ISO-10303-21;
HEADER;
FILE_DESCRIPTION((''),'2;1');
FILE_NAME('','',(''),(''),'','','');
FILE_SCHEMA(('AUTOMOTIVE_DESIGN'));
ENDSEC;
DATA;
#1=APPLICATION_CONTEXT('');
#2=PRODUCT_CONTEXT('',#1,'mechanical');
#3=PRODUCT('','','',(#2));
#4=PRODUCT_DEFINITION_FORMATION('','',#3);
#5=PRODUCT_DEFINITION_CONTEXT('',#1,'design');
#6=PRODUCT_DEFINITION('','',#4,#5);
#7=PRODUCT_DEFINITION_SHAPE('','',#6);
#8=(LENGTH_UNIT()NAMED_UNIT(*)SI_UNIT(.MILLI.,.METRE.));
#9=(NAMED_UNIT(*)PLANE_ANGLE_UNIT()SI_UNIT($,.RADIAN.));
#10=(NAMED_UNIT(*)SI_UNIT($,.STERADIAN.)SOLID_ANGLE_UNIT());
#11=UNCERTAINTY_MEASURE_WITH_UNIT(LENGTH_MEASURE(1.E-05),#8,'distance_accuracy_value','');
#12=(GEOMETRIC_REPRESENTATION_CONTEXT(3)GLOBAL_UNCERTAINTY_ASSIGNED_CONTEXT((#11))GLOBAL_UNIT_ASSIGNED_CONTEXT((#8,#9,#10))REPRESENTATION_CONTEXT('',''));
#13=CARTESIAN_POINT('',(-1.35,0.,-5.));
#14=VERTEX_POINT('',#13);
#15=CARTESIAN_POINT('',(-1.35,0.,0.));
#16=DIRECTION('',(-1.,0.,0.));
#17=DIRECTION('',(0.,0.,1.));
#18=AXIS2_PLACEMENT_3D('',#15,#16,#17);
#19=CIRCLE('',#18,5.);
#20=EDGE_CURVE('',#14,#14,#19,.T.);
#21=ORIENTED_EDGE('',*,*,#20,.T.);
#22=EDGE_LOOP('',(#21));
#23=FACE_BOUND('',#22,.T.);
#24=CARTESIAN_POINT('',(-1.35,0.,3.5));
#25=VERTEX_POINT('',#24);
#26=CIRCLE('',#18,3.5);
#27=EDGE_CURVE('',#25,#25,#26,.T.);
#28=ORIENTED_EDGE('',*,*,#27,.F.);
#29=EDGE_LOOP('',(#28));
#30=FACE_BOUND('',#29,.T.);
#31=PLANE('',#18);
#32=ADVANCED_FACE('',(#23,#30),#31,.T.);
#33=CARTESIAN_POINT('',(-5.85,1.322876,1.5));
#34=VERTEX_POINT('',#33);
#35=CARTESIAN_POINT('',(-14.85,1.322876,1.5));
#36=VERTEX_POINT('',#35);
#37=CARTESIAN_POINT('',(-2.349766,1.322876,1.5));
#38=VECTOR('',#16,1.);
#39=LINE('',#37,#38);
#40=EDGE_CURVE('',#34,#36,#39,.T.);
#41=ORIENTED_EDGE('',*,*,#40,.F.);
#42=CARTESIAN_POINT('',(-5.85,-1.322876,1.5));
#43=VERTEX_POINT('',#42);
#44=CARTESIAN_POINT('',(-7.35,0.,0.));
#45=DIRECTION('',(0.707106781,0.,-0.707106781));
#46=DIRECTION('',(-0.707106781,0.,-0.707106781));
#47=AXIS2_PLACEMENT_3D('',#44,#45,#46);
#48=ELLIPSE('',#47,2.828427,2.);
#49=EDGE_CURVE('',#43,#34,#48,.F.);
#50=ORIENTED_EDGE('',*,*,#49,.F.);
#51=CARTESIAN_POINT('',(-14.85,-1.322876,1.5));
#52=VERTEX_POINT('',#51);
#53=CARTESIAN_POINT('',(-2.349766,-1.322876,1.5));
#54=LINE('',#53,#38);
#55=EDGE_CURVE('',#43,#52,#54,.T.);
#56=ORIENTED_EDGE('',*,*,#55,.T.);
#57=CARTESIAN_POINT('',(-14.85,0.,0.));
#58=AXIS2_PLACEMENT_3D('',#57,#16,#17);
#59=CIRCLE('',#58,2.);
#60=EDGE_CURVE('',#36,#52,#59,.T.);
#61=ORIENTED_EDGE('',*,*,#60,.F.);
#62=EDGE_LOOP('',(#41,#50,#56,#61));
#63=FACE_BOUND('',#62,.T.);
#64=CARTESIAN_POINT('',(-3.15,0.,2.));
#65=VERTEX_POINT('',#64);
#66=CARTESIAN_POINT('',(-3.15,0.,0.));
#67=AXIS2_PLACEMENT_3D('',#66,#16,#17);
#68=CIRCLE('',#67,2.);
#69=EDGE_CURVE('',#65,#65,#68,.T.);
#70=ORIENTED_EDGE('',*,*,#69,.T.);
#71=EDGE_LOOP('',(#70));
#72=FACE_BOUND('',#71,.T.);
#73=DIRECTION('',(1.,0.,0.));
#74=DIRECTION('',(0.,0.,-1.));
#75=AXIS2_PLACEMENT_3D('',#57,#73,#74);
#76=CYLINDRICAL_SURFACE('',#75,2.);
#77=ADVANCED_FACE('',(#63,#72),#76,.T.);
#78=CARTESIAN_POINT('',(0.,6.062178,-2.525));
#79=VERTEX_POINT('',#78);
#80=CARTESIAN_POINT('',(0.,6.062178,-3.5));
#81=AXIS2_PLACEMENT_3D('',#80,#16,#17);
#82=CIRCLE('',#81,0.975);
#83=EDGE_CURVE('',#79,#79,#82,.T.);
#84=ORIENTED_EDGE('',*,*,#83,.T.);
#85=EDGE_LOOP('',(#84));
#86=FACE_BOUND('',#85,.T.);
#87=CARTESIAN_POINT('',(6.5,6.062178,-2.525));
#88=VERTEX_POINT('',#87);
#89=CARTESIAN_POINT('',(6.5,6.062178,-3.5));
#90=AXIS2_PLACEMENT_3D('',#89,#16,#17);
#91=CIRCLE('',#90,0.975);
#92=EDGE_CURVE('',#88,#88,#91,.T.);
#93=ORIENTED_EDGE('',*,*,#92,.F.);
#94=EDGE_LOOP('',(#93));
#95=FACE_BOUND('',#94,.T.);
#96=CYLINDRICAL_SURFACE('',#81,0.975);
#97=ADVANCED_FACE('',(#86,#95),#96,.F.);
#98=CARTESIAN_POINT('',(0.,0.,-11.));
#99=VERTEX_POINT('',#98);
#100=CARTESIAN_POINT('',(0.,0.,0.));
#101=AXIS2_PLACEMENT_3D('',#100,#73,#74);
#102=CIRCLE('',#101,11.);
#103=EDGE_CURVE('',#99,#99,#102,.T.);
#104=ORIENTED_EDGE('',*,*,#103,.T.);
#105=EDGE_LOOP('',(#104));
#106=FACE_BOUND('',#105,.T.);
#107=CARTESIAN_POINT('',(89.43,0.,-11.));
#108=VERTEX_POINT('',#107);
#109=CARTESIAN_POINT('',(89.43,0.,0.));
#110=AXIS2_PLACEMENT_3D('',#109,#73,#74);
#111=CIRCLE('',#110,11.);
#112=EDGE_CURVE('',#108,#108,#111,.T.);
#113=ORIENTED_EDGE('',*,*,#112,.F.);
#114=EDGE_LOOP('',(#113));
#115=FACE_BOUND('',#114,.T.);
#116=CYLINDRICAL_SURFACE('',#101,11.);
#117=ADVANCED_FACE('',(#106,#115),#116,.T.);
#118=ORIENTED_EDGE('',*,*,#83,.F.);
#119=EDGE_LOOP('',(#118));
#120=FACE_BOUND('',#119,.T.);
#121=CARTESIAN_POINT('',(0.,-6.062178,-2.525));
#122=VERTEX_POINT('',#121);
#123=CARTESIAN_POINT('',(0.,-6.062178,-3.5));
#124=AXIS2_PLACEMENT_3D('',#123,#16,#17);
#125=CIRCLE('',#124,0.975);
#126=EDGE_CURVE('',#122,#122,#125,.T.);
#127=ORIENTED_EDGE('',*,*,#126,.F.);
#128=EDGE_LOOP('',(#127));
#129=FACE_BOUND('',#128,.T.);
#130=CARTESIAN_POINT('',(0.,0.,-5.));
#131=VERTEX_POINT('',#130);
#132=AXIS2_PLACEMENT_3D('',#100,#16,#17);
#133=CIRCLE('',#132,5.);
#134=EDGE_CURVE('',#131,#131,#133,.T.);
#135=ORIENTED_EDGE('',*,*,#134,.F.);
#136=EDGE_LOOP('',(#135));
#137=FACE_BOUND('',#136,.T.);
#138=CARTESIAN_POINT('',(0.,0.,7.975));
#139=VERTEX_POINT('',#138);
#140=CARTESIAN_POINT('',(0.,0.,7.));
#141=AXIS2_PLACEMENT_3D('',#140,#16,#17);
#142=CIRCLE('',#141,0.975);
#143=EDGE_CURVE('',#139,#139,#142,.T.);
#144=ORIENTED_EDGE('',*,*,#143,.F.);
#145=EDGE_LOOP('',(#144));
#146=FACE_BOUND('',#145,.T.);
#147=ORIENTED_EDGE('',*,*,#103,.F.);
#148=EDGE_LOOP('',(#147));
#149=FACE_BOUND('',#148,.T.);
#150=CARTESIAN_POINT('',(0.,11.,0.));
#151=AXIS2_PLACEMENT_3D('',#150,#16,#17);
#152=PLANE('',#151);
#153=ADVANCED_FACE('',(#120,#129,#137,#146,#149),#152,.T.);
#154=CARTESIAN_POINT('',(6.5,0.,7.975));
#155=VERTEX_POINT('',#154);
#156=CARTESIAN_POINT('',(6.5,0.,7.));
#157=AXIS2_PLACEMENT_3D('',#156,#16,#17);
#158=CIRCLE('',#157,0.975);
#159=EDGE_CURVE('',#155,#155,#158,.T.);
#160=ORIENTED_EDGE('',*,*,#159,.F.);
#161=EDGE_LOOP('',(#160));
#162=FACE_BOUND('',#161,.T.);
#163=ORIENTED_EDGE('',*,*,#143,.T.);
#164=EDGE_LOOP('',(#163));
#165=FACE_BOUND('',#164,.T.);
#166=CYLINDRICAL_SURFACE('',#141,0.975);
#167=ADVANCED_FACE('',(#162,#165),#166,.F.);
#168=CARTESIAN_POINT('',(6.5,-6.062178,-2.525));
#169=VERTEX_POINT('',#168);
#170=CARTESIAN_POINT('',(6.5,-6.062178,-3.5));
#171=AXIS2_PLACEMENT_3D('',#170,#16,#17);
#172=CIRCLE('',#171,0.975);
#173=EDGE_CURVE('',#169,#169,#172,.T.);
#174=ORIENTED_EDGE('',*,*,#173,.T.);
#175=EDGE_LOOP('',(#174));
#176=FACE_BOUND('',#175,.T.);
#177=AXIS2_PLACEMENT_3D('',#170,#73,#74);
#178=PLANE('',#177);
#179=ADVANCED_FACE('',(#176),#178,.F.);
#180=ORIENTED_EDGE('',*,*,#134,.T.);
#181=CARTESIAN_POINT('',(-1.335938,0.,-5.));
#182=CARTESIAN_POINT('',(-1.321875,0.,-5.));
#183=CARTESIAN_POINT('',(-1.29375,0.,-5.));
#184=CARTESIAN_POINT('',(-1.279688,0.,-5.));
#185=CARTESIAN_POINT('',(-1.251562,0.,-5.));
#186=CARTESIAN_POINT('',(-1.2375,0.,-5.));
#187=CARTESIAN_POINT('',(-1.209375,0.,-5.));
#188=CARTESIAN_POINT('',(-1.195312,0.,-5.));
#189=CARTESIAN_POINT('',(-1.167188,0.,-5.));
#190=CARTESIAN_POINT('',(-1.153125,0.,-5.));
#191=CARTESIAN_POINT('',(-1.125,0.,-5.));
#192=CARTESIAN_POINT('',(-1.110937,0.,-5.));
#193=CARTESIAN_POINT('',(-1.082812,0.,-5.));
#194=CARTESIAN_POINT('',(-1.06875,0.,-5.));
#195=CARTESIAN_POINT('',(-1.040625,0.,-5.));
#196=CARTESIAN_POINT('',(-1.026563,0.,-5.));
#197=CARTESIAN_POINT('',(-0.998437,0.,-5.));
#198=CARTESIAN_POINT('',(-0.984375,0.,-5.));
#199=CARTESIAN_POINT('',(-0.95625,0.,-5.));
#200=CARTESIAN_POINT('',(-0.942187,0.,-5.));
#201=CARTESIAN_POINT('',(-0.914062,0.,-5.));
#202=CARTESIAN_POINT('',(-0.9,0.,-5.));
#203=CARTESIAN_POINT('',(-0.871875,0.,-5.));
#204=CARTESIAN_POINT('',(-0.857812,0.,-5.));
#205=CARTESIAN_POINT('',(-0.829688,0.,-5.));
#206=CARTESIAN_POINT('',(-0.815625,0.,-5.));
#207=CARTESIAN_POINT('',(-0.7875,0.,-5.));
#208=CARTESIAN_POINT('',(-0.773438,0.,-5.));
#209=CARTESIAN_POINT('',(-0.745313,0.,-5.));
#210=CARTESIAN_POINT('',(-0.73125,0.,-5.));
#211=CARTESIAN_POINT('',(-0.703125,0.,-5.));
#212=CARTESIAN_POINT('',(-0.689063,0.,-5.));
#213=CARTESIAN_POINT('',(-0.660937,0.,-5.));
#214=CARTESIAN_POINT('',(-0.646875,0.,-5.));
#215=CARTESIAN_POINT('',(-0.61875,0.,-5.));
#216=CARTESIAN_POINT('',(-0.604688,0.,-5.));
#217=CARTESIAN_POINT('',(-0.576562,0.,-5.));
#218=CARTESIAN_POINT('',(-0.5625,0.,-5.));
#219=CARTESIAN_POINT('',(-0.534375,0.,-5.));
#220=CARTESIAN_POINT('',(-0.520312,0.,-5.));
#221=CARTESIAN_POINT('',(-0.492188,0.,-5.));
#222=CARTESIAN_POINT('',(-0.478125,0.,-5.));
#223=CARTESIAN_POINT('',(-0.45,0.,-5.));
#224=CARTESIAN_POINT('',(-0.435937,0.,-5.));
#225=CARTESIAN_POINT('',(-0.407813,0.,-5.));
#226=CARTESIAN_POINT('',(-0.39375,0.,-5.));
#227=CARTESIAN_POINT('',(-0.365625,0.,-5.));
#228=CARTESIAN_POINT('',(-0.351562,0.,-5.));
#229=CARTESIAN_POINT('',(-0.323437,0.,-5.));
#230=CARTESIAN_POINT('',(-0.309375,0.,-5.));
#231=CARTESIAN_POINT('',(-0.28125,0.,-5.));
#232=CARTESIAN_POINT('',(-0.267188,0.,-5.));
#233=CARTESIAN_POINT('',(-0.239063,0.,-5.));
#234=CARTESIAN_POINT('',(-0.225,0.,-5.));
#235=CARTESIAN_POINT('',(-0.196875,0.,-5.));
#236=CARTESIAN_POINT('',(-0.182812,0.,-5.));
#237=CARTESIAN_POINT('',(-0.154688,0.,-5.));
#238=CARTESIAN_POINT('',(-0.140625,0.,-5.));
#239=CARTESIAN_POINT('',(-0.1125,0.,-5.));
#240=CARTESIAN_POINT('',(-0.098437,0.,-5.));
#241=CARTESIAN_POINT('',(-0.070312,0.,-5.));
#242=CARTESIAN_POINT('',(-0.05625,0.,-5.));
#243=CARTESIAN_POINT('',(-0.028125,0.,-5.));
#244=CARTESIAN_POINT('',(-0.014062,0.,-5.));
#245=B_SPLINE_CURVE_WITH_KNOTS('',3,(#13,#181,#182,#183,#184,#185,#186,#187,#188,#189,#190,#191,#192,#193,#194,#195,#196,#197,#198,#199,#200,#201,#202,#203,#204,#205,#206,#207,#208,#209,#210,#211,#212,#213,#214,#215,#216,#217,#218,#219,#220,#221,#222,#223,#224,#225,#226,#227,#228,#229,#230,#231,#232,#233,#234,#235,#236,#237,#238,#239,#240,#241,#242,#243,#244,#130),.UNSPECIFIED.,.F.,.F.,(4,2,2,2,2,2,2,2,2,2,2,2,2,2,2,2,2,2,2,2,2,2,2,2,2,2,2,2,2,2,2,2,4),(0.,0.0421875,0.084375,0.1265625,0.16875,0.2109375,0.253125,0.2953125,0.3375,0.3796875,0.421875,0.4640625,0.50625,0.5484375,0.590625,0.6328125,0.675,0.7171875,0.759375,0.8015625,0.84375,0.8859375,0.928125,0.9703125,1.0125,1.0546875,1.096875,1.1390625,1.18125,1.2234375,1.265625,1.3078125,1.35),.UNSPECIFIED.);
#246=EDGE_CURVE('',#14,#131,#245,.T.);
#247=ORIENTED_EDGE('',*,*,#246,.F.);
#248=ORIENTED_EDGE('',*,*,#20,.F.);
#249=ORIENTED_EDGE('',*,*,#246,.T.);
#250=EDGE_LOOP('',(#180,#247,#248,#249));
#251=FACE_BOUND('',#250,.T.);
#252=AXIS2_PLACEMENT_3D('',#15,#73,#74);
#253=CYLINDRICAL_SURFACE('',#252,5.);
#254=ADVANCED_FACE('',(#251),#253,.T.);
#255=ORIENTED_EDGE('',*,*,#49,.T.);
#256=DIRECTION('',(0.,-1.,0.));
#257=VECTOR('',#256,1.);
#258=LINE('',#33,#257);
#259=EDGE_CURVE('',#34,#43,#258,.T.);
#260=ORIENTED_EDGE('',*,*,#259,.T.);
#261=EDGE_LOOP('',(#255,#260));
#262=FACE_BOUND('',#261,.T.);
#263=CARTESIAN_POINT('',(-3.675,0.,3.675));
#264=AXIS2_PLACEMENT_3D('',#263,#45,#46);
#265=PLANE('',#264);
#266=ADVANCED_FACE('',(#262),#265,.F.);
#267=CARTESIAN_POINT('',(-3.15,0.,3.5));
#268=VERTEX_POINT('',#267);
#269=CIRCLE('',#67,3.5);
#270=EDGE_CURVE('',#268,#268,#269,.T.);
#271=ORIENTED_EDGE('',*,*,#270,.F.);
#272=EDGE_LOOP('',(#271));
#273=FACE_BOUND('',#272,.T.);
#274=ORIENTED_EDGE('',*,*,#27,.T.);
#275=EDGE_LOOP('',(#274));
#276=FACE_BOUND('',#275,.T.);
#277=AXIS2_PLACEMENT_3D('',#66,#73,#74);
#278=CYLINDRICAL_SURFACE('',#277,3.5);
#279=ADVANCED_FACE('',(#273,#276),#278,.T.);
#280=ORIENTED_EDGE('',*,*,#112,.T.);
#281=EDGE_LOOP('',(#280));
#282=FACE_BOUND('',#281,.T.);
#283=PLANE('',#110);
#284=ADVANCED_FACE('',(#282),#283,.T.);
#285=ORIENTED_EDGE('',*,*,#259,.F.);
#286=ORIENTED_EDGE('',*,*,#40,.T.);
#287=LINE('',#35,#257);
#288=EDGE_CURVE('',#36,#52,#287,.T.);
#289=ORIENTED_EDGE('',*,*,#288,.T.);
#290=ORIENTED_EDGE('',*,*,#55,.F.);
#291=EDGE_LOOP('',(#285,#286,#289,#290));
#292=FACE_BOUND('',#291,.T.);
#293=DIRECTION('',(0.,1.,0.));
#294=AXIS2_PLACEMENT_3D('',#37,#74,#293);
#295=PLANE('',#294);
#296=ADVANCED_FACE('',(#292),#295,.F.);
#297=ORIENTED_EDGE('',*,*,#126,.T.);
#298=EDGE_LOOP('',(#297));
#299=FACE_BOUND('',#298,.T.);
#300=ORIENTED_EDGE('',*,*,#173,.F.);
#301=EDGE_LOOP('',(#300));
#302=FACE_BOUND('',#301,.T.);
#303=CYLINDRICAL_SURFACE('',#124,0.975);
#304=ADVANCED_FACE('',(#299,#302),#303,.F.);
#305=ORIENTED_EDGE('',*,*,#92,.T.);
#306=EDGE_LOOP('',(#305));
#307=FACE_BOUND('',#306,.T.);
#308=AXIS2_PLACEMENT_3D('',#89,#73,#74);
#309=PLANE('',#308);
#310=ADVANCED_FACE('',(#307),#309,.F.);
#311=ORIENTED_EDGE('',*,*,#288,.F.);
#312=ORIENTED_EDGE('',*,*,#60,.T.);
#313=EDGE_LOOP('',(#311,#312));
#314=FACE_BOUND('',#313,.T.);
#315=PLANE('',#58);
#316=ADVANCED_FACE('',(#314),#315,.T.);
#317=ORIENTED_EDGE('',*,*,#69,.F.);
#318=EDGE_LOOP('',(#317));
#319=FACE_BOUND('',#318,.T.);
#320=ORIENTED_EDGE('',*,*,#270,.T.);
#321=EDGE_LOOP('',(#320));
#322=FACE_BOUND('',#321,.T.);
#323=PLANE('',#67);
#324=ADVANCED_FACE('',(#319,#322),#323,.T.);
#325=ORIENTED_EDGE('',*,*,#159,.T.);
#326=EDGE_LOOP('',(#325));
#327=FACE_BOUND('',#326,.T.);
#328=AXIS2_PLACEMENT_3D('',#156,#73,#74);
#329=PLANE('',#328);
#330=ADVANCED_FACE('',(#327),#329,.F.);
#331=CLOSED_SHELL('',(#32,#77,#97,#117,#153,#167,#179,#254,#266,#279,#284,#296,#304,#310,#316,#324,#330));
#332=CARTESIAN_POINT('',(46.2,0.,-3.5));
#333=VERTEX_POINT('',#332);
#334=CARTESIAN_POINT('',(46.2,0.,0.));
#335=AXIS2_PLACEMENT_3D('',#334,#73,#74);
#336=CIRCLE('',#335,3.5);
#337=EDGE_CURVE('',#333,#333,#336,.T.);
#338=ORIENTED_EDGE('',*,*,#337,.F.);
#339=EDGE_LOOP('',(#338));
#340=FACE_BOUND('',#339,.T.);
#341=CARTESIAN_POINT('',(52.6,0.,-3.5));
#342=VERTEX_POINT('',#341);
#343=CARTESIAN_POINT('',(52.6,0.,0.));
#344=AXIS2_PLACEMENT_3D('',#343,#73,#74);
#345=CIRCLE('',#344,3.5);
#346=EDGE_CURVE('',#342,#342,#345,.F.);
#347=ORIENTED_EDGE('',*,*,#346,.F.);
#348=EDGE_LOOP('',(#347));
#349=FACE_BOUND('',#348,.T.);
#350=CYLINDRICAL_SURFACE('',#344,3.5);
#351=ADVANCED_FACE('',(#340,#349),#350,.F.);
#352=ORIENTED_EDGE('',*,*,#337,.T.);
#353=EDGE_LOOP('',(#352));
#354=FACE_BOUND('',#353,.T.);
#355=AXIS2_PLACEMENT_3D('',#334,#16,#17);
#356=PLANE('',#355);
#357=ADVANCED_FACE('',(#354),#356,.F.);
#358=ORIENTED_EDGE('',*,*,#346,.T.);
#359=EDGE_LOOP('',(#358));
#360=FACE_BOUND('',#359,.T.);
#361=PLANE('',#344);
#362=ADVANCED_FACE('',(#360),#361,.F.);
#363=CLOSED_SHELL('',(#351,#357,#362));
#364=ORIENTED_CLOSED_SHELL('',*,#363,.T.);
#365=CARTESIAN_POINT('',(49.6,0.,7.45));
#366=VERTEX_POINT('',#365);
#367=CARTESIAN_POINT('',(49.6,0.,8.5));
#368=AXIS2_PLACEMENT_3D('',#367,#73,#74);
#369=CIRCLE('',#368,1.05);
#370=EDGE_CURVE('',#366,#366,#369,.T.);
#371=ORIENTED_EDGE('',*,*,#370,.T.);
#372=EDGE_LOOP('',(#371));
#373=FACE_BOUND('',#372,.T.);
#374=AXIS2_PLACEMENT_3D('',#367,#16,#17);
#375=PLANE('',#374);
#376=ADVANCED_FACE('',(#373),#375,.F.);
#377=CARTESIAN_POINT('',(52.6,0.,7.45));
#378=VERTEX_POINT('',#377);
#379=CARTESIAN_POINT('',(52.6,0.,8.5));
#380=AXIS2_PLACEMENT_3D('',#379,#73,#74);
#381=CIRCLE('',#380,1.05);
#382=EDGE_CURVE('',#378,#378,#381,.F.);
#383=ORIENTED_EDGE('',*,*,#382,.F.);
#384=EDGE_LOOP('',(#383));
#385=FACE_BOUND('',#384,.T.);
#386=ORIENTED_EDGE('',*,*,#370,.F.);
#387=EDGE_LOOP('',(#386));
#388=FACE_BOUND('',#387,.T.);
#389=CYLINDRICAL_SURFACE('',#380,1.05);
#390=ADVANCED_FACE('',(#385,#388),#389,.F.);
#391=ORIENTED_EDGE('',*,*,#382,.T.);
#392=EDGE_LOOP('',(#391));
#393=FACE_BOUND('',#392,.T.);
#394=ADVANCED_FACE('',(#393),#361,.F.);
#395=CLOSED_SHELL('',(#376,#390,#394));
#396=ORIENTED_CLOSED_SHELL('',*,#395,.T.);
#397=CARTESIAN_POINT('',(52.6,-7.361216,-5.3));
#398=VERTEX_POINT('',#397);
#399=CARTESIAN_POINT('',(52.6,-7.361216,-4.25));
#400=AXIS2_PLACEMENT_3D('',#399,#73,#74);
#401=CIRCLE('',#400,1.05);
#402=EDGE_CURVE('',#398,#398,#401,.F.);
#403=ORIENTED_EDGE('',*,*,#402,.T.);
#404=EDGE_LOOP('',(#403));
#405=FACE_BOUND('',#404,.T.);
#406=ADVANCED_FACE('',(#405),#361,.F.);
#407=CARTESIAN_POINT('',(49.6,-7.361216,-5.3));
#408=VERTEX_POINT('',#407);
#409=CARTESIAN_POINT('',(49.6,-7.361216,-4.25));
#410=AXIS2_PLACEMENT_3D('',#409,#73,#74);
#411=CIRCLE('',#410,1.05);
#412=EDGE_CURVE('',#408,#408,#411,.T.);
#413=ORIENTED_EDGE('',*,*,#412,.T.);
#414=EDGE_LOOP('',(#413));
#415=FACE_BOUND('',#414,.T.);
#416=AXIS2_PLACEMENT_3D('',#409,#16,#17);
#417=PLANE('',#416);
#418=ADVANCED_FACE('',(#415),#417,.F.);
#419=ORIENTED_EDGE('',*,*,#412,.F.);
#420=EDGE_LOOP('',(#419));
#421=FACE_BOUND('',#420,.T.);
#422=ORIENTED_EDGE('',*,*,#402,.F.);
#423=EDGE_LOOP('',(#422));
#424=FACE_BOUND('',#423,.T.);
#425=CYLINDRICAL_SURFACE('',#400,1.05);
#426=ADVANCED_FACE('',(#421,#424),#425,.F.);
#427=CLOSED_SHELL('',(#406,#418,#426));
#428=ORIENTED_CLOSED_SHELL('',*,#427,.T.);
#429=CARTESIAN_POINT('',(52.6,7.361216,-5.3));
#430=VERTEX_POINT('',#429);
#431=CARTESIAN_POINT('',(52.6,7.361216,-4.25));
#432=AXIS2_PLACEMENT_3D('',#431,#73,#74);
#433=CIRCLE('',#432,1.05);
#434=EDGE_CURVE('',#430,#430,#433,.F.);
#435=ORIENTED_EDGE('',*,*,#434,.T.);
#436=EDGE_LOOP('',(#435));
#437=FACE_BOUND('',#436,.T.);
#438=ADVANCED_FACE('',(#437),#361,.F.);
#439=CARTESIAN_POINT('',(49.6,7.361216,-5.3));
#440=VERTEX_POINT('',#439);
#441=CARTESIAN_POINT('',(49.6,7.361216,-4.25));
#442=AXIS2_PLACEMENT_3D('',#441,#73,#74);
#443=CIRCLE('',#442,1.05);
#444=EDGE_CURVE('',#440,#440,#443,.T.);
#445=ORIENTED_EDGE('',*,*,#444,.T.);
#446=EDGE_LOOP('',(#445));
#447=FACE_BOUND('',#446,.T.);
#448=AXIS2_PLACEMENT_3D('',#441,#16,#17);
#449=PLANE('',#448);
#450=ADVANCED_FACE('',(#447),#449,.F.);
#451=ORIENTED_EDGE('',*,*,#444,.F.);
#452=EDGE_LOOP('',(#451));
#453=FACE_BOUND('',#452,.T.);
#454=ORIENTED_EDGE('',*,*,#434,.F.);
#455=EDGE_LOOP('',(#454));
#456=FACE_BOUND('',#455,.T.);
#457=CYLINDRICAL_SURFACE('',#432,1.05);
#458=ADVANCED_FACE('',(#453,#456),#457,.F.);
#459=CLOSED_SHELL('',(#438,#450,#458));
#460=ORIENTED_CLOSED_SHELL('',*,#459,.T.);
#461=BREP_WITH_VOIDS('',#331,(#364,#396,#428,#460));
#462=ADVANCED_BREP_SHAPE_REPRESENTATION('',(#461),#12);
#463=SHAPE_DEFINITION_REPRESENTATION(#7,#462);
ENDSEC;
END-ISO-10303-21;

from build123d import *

# Parameters (mm, degrees)
SKETCH1_W           = 52.6
SKETCH1_H           = 11
SKETCH2_R           = 5
BOSS_EXTRUDE1_DEPTH = 1.35
SKETCH3_R           = 3.5
BOSS_EXTRUDE2_DEPTH = 1.8
SKETCH4_R           = 2
BOSS_EXTRUDE3_DEPTH = 11.7
CUT_EXTRUDE1_REACH  = 71.221
HOLE1_D             = 1.95
HOLE1_DEPTH         = 6.5
HOLE2_D             = 1.95
HOLE2_DEPTH         = 6.5
HOLE3_D             = 1.95
HOLE3_DEPTH         = 6.5
HOLE4_D             = 7
HOLE4_DEPTH         = 6.4
HOLE5_D             = 2.1
HOLE5_DEPTH         = 3
HOLE6_D             = 2.1
HOLE6_DEPTH         = 3
HOLE7_D             = 2.1
HOLE7_DEPTH         = 3
SKETCH25_R          = 11
BOSS_EXTRUDE4_DEPTH = 36.83


with BuildPart() as part:
    # Sketch1 → Revolve1 (revolve)
    with BuildSketch(Plane.XY, mode=Mode.PRIVATE) as revolve1_sk:
        with Locations((26.3, 5.5)):
            Rectangle(SKETCH1_W, SKETCH1_H)
    revolve(revolve1_sk.sketch.rotate(Axis((0, 0, 0), (1, 0, 0)), 270), axis=Axis((0, 0, 0), (1, 0, 0)))

    # Sketch2 → Boss-Extrude1 (add)
    with BuildSketch(Plane.ZY):
        with Locations(Location((0, 0, 0), (0, 0, 180))):
            Circle(SKETCH2_R)
    extrude(amount=BOSS_EXTRUDE1_DEPTH)

    # Sketch3 → Boss-Extrude2 (add)
    with BuildSketch(Plane.ZY.offset(1.35)):
        Circle(SKETCH3_R)
    extrude(amount=BOSS_EXTRUDE2_DEPTH)

    # Sketch4 → Boss-Extrude3 (add)
    with BuildSketch(Plane.ZY.offset(3.15)):
        Circle(SKETCH4_R)
    extrude(amount=BOSS_EXTRUDE3_DEPTH)

    # Cut-Extrude1: up to this plane
    cut_extrude1_end = Plane(origin=(-3.675, 0, 3.675), z_dir=(0.707106781186547, 0, -0.707106781186548))
    # Sketch6 → Cut-Extrude1 (cut, up to the surface)
    with BuildSketch(Plane.ZY.offset(14.85), mode=Mode.PRIVATE) as cut_extrude1_sk1:
        with BuildLine():
            Line((1.5, 1.322875656), (1.5, -1.322875656))
            ThreePointArc((1.5, -1.322875656), (2, 0), (1.5, 1.322875656))
        make_face()
    cut_extrude1_tool1 = split(extrude(cut_extrude1_sk1.sketch, amount=-CUT_EXTRUDE1_REACH, mode=Mode.PRIVATE), bisect_by=cut_extrude1_end, keep=Keep.BOTH, mode=Mode.PRIVATE)
    add(cut_extrude1_tool1.solids().sort_by_distance((-14.85, 0, 1.702311))[0], mode=Mode.SUBTRACT)

    # Hole1
    with Locations(Plane.ZY):
        with Locations((7, 0)):
            Hole(HOLE1_D / 2, depth=HOLE1_DEPTH)

    # Hole2
    with Locations(Plane.ZY):
        with Locations((-3.5, -6.062177826)):
            Hole(HOLE2_D / 2, depth=HOLE2_DEPTH)

    # Hole3
    with Locations(Plane.ZY):
        with Locations((-3.5, 6.062177826)):
            Hole(HOLE3_D / 2, depth=HOLE3_DEPTH)

    # Hole4
    with Locations(Plane(origin=(52.6, 0, 0), x_dir=(0, 0, -1), z_dir=(1, 0, 0))):
        with Locations((0, 0)):
            Hole(HOLE4_D / 2, depth=HOLE4_DEPTH)

    # Hole5
    with Locations(Plane(origin=(52.6, 0, 0), x_dir=(0, 0, -1), z_dir=(1, 0, 0))):
        with Locations((-8.5, 0)):
            Hole(HOLE5_D / 2, depth=HOLE5_DEPTH)

    # Hole6
    with Locations(Plane(origin=(52.6, 0, 0), x_dir=(0, 0, -1), z_dir=(1, 0, 0))):
        with Locations((4.25, -7.361215932)):
            Hole(HOLE6_D / 2, depth=HOLE6_DEPTH)

    # Hole7
    with Locations(Plane(origin=(52.6, 0, 0), x_dir=(0, 0, -1), z_dir=(1, 0, 0))):
        with Locations((4.25, 7.361215932)):
            Hole(HOLE7_D / 2, depth=HOLE7_DEPTH)

    # Sketch25 → Boss-Extrude4 (add)
    with BuildSketch(Plane(origin=(52.6, 0, 0), x_dir=(0, 0, -1), z_dir=(1, 0, 0))):
        Circle(SKETCH25_R)
    extrude(amount=BOSS_EXTRUDE4_DEPTH)


solid = part.part
